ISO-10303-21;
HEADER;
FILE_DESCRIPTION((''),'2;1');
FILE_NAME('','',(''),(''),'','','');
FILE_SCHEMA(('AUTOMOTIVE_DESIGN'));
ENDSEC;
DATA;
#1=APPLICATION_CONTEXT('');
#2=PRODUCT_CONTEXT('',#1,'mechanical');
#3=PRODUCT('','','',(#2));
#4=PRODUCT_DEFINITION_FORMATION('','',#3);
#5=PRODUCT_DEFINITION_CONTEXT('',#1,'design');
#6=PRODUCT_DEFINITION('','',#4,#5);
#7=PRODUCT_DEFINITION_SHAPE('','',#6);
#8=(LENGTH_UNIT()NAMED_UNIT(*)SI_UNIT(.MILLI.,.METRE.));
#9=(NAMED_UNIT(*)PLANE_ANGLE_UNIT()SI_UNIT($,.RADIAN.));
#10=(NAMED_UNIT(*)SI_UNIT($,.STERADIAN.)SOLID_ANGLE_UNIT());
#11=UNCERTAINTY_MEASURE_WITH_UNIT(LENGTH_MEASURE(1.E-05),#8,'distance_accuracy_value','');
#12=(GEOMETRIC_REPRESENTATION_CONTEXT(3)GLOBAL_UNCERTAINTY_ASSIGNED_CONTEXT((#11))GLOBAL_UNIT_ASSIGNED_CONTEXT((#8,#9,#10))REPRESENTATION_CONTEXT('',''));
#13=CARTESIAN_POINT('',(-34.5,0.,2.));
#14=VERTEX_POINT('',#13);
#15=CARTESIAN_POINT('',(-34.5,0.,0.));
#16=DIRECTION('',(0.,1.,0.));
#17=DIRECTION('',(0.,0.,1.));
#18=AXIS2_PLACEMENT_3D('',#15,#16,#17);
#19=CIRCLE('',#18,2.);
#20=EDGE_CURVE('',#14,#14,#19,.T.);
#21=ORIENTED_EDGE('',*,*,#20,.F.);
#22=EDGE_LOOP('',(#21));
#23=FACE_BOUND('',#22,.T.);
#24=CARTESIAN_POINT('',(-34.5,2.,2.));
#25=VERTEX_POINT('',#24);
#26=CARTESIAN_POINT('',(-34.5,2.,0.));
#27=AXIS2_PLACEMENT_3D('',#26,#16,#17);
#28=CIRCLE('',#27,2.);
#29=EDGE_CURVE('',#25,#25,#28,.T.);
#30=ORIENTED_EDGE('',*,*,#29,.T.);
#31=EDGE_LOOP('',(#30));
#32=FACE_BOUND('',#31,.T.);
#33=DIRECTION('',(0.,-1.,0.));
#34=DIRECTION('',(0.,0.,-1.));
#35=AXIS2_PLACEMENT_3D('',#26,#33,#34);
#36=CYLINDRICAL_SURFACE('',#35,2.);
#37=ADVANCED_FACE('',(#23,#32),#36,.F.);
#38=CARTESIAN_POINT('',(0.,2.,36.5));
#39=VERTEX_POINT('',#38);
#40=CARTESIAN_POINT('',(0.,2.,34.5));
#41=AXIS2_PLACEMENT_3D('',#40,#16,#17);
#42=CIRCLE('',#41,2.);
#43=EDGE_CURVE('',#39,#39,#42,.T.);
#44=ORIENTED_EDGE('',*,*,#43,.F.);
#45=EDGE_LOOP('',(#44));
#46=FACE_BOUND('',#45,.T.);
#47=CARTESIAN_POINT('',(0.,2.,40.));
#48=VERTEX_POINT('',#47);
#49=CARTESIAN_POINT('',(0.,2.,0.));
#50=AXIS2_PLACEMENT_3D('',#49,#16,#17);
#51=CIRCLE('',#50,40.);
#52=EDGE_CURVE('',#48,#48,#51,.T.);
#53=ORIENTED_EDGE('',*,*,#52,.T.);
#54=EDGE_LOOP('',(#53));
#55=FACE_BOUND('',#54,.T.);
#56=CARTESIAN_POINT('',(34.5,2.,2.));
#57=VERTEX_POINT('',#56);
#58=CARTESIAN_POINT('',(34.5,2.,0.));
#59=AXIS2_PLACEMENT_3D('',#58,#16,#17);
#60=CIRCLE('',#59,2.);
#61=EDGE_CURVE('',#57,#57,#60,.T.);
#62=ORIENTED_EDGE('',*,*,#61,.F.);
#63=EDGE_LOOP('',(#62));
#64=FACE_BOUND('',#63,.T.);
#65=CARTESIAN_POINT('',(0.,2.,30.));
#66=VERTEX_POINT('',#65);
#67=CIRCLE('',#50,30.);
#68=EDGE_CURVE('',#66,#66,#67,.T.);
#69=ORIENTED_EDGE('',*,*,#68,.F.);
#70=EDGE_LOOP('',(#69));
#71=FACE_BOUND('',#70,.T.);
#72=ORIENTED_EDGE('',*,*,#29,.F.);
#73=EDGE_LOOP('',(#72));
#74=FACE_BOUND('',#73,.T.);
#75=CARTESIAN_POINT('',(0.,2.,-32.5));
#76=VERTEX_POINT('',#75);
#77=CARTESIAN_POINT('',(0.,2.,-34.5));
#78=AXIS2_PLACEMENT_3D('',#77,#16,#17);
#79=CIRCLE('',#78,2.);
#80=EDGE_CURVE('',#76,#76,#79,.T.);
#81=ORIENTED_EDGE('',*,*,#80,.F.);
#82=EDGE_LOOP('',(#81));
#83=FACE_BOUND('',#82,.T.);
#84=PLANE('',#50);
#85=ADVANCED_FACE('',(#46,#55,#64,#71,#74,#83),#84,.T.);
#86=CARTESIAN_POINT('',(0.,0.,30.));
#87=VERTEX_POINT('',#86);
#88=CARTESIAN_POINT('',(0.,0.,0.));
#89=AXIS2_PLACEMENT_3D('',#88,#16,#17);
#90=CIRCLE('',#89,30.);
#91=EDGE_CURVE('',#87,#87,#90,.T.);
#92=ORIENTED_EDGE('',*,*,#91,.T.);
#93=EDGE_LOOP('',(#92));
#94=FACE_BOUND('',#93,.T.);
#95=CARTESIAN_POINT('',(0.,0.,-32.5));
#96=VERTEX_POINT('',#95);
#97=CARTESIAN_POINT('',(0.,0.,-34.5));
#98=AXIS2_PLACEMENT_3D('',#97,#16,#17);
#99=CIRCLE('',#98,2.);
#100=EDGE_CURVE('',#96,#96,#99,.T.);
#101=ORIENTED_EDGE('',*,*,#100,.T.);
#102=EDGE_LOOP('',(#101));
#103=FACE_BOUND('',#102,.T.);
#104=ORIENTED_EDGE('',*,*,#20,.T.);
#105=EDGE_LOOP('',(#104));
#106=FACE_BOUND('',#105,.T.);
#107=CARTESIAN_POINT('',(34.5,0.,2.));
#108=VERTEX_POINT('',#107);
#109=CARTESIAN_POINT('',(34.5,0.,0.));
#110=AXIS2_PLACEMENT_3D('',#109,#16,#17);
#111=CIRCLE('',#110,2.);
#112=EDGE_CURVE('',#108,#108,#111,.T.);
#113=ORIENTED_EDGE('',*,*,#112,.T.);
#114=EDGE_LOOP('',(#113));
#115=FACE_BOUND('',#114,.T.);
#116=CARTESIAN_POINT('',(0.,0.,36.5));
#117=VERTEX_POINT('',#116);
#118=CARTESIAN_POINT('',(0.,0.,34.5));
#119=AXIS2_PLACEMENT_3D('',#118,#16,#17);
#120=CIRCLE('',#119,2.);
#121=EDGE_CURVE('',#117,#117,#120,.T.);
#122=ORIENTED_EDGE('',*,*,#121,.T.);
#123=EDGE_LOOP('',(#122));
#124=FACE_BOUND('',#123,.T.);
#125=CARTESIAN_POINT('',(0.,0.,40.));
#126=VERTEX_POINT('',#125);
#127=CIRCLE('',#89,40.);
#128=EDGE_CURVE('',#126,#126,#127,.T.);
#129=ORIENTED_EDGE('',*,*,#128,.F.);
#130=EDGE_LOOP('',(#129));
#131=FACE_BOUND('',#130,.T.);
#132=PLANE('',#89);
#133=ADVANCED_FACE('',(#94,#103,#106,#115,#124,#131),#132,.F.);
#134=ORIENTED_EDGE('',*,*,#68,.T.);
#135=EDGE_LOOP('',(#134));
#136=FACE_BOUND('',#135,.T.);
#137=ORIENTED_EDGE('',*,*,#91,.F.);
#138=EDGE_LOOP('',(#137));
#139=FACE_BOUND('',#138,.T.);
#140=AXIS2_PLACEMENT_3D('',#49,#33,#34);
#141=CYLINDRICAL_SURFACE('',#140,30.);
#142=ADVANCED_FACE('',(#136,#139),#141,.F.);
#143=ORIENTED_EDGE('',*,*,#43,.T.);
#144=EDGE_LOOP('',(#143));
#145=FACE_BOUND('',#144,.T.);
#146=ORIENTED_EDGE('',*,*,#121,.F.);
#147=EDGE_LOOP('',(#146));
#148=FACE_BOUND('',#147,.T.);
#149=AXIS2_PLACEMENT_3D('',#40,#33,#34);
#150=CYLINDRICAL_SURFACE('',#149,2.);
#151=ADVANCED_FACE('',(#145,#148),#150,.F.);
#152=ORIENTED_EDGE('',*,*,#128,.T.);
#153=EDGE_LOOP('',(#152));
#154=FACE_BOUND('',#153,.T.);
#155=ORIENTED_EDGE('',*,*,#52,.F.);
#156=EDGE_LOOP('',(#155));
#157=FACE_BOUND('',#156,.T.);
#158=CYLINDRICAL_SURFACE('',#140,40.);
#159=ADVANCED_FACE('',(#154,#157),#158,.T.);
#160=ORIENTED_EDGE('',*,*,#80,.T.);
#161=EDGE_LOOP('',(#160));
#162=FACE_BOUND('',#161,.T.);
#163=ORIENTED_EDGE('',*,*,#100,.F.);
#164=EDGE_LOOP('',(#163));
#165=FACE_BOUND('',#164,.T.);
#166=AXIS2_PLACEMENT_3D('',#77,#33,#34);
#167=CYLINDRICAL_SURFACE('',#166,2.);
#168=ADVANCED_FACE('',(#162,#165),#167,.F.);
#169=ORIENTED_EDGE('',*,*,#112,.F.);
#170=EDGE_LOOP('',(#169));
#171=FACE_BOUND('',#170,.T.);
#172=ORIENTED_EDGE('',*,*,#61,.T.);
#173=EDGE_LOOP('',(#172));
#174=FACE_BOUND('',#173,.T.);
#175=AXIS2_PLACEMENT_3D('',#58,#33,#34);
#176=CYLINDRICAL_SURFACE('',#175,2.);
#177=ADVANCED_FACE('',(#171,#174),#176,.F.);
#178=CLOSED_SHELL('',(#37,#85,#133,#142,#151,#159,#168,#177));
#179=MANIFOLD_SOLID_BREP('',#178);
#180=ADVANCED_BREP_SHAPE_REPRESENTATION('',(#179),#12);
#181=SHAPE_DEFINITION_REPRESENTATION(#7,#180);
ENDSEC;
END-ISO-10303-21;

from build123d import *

# Parameters (mm, degrees)
SKETCH_2_R      = 40
SKETCH_2_R_2    = 30
SKETCH_2_R_3    = 2
EXTRUDE_1_DEPTH = 2


with BuildPart() as part:
    # 草图2 → 凸台-拉伸1 (new body)
    with BuildSketch(Plane(origin=(0, 0, 0), x_dir=(1, 0, 0), z_dir=(0, 1, 0))):
        with Locations(Location((0, 0, 0), (0, 0, 270))):
            Circle(SKETCH_2_R)
        with Locations(Location((0, 0, 0), (0, 0, 270))):
            Circle(SKETCH_2_R_2, mode=Mode.SUBTRACT)
        with Locations(Location((0, 34.5, 0), (0, 0, 270))):
            Circle(SKETCH_2_R_3, mode=Mode.SUBTRACT)
        with Locations(Location((34.5, 0, 0), (0, 0, 270))):
            Circle(SKETCH_2_R_3, mode=Mode.SUBTRACT)
        with Locations(Location((0, -34.5, 0), (0, 0, 270))):
            Circle(SKETCH_2_R_3, mode=Mode.SUBTRACT)
        with Locations(Location((-34.5, 0, 0), (0, 0, 270))):
            Circle(SKETCH_2_R_3, mode=Mode.SUBTRACT)
    extrude(amount=EXTRUDE_1_DEPTH)


solid = part.part
